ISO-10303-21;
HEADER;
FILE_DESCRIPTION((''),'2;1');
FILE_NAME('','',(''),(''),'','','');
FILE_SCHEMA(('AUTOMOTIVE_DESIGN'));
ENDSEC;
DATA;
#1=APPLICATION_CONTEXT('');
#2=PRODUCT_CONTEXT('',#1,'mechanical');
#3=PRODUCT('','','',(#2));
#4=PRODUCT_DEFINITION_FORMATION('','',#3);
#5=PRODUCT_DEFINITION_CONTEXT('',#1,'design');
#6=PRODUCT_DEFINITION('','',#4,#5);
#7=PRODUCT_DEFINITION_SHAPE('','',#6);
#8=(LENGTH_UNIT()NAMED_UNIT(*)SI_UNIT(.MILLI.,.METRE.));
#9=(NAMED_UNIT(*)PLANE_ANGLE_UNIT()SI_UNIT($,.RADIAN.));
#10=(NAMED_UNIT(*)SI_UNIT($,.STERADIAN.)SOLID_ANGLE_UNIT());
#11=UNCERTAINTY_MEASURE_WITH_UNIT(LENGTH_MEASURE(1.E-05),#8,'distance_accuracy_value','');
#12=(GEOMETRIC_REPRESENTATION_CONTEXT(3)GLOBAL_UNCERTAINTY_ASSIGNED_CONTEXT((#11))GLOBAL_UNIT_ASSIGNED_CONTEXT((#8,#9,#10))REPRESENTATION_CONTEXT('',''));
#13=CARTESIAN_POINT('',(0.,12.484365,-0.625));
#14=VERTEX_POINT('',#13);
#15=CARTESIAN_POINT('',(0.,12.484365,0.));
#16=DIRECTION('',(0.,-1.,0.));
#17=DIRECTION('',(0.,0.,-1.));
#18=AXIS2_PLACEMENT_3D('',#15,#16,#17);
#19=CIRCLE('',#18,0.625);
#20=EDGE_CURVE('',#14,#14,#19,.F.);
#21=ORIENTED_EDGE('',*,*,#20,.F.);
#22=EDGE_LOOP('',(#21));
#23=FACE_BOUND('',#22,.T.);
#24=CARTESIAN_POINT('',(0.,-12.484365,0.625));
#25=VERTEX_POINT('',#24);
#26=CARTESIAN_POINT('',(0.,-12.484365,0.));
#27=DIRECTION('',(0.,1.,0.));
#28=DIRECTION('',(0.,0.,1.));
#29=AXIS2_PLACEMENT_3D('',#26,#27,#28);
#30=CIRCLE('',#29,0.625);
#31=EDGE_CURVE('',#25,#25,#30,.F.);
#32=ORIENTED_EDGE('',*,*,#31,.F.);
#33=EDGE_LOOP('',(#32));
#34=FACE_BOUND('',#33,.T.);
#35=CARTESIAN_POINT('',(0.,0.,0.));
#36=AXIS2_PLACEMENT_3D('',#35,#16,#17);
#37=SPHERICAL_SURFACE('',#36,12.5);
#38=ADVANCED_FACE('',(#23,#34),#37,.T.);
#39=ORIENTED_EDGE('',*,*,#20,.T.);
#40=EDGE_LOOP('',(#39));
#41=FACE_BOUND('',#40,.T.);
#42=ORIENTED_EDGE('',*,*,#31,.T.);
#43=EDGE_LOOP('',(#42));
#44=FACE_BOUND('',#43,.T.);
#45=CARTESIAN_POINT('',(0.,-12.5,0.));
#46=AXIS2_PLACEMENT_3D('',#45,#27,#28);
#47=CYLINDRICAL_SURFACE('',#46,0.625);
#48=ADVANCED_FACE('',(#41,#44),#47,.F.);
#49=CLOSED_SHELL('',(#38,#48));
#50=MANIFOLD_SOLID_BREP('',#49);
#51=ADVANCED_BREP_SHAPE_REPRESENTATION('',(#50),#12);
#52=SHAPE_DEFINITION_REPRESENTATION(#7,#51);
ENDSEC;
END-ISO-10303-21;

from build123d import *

# Parameters (mm, degrees)
SKETCH2_R      = 0.625
EXTRUDE1_DEPTH = 26


with BuildPart() as part:
    # Sketch1 → Revolve5 (revolve)
    with BuildSketch(Plane(origin=(0, 0, 0), x_dir=(1, 0, 0), z_dir=(0, 1, 0))):
        with BuildLine():
            Line((-12.5, 0), (12.5, 0))
            ThreePointArc((12.5, 0), (0, -12.5), (-12.5, 0))
        make_face()
    revolve(axis=Axis((-15.876321695, 0, 0), (1, 0, 0)))

    # Sketch2 → Extrude1 (cut, through all)
    with BuildSketch(Plane(origin=(0, 12.5, 0), x_dir=(-1, 0, 0), z_dir=(0, 1, 0))):
        Circle(SKETCH2_R)
    extrude(amount=-EXTRUDE1_DEPTH, mode=Mode.SUBTRACT)


solid = part.part
